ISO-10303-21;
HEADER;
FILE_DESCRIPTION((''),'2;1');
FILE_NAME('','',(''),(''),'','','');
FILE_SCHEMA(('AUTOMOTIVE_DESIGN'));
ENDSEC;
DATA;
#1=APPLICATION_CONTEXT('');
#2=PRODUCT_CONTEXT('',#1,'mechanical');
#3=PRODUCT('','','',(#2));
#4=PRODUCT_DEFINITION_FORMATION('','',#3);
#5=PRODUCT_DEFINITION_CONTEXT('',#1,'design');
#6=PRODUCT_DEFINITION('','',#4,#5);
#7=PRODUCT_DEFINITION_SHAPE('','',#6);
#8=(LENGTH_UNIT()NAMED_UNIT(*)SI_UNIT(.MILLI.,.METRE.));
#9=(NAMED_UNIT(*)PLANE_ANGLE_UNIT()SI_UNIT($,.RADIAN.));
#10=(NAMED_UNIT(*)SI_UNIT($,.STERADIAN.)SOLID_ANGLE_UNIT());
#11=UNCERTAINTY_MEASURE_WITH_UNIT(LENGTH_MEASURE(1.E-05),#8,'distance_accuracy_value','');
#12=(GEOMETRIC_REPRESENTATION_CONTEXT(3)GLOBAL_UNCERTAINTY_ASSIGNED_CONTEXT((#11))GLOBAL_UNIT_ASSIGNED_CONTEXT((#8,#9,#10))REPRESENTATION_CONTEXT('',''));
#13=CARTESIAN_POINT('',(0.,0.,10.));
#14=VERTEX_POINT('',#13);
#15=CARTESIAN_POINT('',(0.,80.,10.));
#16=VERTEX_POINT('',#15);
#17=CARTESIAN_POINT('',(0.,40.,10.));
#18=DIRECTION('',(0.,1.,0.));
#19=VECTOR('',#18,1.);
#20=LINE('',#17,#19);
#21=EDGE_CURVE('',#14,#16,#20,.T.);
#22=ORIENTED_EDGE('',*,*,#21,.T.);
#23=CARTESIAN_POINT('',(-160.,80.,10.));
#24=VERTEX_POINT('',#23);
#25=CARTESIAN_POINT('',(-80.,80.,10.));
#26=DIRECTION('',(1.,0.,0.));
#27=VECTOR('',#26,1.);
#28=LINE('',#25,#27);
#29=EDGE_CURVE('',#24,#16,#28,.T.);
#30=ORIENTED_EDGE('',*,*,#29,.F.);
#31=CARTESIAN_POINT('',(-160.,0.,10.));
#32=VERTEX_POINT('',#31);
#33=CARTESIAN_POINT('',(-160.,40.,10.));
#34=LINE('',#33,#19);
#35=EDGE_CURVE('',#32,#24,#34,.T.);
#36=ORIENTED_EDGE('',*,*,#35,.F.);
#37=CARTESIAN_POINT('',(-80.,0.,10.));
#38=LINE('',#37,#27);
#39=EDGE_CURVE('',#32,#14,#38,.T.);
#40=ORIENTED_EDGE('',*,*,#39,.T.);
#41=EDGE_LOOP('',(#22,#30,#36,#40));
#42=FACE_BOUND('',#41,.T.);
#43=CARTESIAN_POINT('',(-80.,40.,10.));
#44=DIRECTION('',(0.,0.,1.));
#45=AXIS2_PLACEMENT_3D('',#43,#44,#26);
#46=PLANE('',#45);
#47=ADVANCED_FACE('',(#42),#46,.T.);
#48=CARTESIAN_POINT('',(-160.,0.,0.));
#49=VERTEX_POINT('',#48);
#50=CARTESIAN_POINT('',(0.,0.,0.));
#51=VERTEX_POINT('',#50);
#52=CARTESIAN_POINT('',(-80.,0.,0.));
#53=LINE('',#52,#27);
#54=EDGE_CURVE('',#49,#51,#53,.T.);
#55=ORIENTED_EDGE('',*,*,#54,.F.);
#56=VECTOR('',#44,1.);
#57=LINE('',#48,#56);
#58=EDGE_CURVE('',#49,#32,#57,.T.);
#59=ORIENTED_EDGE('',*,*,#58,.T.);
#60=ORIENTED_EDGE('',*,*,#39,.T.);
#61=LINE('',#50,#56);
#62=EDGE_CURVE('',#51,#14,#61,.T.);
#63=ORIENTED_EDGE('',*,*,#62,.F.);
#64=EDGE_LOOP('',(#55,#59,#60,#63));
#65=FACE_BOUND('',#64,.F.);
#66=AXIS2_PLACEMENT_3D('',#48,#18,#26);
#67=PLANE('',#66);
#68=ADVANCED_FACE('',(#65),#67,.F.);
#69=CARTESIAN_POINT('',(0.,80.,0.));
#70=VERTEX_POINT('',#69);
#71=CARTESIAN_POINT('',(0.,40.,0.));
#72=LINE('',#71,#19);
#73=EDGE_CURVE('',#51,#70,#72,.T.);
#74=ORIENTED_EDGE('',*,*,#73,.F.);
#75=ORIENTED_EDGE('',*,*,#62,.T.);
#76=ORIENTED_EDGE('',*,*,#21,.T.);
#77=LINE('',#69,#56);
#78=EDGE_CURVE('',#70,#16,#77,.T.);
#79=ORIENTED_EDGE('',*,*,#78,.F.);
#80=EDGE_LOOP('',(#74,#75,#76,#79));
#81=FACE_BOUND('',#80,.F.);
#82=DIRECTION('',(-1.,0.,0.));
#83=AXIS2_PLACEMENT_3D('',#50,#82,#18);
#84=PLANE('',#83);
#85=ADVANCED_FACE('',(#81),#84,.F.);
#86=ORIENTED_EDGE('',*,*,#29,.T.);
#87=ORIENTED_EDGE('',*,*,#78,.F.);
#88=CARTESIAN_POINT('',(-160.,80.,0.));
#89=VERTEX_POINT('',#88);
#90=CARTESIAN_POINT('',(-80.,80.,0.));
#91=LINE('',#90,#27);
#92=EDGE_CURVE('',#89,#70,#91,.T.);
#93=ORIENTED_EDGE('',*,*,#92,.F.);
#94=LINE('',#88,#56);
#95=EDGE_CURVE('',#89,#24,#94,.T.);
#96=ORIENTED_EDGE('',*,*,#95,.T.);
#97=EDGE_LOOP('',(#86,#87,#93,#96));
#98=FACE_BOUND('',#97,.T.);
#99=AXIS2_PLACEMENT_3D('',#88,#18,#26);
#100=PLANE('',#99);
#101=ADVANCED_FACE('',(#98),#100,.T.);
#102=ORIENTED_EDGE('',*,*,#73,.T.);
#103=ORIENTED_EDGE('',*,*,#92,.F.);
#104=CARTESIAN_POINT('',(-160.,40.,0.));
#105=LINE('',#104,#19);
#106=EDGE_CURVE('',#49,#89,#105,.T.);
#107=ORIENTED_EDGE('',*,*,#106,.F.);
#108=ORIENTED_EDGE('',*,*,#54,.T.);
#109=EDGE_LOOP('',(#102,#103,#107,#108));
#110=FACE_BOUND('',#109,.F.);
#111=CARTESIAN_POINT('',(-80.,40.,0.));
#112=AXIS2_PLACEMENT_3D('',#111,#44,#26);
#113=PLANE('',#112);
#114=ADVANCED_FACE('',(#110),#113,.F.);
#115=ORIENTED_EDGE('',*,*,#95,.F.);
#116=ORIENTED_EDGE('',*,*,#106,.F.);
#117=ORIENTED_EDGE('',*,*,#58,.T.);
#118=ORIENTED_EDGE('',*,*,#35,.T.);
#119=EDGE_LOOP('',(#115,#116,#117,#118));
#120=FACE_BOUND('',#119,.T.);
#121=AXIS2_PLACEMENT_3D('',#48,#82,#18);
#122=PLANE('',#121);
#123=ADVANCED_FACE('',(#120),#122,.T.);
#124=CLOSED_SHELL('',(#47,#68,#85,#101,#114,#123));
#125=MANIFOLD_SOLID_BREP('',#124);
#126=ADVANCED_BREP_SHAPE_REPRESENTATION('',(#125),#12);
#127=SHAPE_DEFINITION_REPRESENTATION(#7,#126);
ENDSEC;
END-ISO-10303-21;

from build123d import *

# Parameters (mm, degrees)
SKETCH_W  = 160
SKETCH_H  = 80
PAD_DEPTH = 10


with BuildPart() as part:
    # Sketch → Pad (new body)
    with BuildSketch(Plane.XY):
        with Locations((-80, 40)):
            Rectangle(SKETCH_W, SKETCH_H)
    extrude(amount=PAD_DEPTH)


solid = part.part
